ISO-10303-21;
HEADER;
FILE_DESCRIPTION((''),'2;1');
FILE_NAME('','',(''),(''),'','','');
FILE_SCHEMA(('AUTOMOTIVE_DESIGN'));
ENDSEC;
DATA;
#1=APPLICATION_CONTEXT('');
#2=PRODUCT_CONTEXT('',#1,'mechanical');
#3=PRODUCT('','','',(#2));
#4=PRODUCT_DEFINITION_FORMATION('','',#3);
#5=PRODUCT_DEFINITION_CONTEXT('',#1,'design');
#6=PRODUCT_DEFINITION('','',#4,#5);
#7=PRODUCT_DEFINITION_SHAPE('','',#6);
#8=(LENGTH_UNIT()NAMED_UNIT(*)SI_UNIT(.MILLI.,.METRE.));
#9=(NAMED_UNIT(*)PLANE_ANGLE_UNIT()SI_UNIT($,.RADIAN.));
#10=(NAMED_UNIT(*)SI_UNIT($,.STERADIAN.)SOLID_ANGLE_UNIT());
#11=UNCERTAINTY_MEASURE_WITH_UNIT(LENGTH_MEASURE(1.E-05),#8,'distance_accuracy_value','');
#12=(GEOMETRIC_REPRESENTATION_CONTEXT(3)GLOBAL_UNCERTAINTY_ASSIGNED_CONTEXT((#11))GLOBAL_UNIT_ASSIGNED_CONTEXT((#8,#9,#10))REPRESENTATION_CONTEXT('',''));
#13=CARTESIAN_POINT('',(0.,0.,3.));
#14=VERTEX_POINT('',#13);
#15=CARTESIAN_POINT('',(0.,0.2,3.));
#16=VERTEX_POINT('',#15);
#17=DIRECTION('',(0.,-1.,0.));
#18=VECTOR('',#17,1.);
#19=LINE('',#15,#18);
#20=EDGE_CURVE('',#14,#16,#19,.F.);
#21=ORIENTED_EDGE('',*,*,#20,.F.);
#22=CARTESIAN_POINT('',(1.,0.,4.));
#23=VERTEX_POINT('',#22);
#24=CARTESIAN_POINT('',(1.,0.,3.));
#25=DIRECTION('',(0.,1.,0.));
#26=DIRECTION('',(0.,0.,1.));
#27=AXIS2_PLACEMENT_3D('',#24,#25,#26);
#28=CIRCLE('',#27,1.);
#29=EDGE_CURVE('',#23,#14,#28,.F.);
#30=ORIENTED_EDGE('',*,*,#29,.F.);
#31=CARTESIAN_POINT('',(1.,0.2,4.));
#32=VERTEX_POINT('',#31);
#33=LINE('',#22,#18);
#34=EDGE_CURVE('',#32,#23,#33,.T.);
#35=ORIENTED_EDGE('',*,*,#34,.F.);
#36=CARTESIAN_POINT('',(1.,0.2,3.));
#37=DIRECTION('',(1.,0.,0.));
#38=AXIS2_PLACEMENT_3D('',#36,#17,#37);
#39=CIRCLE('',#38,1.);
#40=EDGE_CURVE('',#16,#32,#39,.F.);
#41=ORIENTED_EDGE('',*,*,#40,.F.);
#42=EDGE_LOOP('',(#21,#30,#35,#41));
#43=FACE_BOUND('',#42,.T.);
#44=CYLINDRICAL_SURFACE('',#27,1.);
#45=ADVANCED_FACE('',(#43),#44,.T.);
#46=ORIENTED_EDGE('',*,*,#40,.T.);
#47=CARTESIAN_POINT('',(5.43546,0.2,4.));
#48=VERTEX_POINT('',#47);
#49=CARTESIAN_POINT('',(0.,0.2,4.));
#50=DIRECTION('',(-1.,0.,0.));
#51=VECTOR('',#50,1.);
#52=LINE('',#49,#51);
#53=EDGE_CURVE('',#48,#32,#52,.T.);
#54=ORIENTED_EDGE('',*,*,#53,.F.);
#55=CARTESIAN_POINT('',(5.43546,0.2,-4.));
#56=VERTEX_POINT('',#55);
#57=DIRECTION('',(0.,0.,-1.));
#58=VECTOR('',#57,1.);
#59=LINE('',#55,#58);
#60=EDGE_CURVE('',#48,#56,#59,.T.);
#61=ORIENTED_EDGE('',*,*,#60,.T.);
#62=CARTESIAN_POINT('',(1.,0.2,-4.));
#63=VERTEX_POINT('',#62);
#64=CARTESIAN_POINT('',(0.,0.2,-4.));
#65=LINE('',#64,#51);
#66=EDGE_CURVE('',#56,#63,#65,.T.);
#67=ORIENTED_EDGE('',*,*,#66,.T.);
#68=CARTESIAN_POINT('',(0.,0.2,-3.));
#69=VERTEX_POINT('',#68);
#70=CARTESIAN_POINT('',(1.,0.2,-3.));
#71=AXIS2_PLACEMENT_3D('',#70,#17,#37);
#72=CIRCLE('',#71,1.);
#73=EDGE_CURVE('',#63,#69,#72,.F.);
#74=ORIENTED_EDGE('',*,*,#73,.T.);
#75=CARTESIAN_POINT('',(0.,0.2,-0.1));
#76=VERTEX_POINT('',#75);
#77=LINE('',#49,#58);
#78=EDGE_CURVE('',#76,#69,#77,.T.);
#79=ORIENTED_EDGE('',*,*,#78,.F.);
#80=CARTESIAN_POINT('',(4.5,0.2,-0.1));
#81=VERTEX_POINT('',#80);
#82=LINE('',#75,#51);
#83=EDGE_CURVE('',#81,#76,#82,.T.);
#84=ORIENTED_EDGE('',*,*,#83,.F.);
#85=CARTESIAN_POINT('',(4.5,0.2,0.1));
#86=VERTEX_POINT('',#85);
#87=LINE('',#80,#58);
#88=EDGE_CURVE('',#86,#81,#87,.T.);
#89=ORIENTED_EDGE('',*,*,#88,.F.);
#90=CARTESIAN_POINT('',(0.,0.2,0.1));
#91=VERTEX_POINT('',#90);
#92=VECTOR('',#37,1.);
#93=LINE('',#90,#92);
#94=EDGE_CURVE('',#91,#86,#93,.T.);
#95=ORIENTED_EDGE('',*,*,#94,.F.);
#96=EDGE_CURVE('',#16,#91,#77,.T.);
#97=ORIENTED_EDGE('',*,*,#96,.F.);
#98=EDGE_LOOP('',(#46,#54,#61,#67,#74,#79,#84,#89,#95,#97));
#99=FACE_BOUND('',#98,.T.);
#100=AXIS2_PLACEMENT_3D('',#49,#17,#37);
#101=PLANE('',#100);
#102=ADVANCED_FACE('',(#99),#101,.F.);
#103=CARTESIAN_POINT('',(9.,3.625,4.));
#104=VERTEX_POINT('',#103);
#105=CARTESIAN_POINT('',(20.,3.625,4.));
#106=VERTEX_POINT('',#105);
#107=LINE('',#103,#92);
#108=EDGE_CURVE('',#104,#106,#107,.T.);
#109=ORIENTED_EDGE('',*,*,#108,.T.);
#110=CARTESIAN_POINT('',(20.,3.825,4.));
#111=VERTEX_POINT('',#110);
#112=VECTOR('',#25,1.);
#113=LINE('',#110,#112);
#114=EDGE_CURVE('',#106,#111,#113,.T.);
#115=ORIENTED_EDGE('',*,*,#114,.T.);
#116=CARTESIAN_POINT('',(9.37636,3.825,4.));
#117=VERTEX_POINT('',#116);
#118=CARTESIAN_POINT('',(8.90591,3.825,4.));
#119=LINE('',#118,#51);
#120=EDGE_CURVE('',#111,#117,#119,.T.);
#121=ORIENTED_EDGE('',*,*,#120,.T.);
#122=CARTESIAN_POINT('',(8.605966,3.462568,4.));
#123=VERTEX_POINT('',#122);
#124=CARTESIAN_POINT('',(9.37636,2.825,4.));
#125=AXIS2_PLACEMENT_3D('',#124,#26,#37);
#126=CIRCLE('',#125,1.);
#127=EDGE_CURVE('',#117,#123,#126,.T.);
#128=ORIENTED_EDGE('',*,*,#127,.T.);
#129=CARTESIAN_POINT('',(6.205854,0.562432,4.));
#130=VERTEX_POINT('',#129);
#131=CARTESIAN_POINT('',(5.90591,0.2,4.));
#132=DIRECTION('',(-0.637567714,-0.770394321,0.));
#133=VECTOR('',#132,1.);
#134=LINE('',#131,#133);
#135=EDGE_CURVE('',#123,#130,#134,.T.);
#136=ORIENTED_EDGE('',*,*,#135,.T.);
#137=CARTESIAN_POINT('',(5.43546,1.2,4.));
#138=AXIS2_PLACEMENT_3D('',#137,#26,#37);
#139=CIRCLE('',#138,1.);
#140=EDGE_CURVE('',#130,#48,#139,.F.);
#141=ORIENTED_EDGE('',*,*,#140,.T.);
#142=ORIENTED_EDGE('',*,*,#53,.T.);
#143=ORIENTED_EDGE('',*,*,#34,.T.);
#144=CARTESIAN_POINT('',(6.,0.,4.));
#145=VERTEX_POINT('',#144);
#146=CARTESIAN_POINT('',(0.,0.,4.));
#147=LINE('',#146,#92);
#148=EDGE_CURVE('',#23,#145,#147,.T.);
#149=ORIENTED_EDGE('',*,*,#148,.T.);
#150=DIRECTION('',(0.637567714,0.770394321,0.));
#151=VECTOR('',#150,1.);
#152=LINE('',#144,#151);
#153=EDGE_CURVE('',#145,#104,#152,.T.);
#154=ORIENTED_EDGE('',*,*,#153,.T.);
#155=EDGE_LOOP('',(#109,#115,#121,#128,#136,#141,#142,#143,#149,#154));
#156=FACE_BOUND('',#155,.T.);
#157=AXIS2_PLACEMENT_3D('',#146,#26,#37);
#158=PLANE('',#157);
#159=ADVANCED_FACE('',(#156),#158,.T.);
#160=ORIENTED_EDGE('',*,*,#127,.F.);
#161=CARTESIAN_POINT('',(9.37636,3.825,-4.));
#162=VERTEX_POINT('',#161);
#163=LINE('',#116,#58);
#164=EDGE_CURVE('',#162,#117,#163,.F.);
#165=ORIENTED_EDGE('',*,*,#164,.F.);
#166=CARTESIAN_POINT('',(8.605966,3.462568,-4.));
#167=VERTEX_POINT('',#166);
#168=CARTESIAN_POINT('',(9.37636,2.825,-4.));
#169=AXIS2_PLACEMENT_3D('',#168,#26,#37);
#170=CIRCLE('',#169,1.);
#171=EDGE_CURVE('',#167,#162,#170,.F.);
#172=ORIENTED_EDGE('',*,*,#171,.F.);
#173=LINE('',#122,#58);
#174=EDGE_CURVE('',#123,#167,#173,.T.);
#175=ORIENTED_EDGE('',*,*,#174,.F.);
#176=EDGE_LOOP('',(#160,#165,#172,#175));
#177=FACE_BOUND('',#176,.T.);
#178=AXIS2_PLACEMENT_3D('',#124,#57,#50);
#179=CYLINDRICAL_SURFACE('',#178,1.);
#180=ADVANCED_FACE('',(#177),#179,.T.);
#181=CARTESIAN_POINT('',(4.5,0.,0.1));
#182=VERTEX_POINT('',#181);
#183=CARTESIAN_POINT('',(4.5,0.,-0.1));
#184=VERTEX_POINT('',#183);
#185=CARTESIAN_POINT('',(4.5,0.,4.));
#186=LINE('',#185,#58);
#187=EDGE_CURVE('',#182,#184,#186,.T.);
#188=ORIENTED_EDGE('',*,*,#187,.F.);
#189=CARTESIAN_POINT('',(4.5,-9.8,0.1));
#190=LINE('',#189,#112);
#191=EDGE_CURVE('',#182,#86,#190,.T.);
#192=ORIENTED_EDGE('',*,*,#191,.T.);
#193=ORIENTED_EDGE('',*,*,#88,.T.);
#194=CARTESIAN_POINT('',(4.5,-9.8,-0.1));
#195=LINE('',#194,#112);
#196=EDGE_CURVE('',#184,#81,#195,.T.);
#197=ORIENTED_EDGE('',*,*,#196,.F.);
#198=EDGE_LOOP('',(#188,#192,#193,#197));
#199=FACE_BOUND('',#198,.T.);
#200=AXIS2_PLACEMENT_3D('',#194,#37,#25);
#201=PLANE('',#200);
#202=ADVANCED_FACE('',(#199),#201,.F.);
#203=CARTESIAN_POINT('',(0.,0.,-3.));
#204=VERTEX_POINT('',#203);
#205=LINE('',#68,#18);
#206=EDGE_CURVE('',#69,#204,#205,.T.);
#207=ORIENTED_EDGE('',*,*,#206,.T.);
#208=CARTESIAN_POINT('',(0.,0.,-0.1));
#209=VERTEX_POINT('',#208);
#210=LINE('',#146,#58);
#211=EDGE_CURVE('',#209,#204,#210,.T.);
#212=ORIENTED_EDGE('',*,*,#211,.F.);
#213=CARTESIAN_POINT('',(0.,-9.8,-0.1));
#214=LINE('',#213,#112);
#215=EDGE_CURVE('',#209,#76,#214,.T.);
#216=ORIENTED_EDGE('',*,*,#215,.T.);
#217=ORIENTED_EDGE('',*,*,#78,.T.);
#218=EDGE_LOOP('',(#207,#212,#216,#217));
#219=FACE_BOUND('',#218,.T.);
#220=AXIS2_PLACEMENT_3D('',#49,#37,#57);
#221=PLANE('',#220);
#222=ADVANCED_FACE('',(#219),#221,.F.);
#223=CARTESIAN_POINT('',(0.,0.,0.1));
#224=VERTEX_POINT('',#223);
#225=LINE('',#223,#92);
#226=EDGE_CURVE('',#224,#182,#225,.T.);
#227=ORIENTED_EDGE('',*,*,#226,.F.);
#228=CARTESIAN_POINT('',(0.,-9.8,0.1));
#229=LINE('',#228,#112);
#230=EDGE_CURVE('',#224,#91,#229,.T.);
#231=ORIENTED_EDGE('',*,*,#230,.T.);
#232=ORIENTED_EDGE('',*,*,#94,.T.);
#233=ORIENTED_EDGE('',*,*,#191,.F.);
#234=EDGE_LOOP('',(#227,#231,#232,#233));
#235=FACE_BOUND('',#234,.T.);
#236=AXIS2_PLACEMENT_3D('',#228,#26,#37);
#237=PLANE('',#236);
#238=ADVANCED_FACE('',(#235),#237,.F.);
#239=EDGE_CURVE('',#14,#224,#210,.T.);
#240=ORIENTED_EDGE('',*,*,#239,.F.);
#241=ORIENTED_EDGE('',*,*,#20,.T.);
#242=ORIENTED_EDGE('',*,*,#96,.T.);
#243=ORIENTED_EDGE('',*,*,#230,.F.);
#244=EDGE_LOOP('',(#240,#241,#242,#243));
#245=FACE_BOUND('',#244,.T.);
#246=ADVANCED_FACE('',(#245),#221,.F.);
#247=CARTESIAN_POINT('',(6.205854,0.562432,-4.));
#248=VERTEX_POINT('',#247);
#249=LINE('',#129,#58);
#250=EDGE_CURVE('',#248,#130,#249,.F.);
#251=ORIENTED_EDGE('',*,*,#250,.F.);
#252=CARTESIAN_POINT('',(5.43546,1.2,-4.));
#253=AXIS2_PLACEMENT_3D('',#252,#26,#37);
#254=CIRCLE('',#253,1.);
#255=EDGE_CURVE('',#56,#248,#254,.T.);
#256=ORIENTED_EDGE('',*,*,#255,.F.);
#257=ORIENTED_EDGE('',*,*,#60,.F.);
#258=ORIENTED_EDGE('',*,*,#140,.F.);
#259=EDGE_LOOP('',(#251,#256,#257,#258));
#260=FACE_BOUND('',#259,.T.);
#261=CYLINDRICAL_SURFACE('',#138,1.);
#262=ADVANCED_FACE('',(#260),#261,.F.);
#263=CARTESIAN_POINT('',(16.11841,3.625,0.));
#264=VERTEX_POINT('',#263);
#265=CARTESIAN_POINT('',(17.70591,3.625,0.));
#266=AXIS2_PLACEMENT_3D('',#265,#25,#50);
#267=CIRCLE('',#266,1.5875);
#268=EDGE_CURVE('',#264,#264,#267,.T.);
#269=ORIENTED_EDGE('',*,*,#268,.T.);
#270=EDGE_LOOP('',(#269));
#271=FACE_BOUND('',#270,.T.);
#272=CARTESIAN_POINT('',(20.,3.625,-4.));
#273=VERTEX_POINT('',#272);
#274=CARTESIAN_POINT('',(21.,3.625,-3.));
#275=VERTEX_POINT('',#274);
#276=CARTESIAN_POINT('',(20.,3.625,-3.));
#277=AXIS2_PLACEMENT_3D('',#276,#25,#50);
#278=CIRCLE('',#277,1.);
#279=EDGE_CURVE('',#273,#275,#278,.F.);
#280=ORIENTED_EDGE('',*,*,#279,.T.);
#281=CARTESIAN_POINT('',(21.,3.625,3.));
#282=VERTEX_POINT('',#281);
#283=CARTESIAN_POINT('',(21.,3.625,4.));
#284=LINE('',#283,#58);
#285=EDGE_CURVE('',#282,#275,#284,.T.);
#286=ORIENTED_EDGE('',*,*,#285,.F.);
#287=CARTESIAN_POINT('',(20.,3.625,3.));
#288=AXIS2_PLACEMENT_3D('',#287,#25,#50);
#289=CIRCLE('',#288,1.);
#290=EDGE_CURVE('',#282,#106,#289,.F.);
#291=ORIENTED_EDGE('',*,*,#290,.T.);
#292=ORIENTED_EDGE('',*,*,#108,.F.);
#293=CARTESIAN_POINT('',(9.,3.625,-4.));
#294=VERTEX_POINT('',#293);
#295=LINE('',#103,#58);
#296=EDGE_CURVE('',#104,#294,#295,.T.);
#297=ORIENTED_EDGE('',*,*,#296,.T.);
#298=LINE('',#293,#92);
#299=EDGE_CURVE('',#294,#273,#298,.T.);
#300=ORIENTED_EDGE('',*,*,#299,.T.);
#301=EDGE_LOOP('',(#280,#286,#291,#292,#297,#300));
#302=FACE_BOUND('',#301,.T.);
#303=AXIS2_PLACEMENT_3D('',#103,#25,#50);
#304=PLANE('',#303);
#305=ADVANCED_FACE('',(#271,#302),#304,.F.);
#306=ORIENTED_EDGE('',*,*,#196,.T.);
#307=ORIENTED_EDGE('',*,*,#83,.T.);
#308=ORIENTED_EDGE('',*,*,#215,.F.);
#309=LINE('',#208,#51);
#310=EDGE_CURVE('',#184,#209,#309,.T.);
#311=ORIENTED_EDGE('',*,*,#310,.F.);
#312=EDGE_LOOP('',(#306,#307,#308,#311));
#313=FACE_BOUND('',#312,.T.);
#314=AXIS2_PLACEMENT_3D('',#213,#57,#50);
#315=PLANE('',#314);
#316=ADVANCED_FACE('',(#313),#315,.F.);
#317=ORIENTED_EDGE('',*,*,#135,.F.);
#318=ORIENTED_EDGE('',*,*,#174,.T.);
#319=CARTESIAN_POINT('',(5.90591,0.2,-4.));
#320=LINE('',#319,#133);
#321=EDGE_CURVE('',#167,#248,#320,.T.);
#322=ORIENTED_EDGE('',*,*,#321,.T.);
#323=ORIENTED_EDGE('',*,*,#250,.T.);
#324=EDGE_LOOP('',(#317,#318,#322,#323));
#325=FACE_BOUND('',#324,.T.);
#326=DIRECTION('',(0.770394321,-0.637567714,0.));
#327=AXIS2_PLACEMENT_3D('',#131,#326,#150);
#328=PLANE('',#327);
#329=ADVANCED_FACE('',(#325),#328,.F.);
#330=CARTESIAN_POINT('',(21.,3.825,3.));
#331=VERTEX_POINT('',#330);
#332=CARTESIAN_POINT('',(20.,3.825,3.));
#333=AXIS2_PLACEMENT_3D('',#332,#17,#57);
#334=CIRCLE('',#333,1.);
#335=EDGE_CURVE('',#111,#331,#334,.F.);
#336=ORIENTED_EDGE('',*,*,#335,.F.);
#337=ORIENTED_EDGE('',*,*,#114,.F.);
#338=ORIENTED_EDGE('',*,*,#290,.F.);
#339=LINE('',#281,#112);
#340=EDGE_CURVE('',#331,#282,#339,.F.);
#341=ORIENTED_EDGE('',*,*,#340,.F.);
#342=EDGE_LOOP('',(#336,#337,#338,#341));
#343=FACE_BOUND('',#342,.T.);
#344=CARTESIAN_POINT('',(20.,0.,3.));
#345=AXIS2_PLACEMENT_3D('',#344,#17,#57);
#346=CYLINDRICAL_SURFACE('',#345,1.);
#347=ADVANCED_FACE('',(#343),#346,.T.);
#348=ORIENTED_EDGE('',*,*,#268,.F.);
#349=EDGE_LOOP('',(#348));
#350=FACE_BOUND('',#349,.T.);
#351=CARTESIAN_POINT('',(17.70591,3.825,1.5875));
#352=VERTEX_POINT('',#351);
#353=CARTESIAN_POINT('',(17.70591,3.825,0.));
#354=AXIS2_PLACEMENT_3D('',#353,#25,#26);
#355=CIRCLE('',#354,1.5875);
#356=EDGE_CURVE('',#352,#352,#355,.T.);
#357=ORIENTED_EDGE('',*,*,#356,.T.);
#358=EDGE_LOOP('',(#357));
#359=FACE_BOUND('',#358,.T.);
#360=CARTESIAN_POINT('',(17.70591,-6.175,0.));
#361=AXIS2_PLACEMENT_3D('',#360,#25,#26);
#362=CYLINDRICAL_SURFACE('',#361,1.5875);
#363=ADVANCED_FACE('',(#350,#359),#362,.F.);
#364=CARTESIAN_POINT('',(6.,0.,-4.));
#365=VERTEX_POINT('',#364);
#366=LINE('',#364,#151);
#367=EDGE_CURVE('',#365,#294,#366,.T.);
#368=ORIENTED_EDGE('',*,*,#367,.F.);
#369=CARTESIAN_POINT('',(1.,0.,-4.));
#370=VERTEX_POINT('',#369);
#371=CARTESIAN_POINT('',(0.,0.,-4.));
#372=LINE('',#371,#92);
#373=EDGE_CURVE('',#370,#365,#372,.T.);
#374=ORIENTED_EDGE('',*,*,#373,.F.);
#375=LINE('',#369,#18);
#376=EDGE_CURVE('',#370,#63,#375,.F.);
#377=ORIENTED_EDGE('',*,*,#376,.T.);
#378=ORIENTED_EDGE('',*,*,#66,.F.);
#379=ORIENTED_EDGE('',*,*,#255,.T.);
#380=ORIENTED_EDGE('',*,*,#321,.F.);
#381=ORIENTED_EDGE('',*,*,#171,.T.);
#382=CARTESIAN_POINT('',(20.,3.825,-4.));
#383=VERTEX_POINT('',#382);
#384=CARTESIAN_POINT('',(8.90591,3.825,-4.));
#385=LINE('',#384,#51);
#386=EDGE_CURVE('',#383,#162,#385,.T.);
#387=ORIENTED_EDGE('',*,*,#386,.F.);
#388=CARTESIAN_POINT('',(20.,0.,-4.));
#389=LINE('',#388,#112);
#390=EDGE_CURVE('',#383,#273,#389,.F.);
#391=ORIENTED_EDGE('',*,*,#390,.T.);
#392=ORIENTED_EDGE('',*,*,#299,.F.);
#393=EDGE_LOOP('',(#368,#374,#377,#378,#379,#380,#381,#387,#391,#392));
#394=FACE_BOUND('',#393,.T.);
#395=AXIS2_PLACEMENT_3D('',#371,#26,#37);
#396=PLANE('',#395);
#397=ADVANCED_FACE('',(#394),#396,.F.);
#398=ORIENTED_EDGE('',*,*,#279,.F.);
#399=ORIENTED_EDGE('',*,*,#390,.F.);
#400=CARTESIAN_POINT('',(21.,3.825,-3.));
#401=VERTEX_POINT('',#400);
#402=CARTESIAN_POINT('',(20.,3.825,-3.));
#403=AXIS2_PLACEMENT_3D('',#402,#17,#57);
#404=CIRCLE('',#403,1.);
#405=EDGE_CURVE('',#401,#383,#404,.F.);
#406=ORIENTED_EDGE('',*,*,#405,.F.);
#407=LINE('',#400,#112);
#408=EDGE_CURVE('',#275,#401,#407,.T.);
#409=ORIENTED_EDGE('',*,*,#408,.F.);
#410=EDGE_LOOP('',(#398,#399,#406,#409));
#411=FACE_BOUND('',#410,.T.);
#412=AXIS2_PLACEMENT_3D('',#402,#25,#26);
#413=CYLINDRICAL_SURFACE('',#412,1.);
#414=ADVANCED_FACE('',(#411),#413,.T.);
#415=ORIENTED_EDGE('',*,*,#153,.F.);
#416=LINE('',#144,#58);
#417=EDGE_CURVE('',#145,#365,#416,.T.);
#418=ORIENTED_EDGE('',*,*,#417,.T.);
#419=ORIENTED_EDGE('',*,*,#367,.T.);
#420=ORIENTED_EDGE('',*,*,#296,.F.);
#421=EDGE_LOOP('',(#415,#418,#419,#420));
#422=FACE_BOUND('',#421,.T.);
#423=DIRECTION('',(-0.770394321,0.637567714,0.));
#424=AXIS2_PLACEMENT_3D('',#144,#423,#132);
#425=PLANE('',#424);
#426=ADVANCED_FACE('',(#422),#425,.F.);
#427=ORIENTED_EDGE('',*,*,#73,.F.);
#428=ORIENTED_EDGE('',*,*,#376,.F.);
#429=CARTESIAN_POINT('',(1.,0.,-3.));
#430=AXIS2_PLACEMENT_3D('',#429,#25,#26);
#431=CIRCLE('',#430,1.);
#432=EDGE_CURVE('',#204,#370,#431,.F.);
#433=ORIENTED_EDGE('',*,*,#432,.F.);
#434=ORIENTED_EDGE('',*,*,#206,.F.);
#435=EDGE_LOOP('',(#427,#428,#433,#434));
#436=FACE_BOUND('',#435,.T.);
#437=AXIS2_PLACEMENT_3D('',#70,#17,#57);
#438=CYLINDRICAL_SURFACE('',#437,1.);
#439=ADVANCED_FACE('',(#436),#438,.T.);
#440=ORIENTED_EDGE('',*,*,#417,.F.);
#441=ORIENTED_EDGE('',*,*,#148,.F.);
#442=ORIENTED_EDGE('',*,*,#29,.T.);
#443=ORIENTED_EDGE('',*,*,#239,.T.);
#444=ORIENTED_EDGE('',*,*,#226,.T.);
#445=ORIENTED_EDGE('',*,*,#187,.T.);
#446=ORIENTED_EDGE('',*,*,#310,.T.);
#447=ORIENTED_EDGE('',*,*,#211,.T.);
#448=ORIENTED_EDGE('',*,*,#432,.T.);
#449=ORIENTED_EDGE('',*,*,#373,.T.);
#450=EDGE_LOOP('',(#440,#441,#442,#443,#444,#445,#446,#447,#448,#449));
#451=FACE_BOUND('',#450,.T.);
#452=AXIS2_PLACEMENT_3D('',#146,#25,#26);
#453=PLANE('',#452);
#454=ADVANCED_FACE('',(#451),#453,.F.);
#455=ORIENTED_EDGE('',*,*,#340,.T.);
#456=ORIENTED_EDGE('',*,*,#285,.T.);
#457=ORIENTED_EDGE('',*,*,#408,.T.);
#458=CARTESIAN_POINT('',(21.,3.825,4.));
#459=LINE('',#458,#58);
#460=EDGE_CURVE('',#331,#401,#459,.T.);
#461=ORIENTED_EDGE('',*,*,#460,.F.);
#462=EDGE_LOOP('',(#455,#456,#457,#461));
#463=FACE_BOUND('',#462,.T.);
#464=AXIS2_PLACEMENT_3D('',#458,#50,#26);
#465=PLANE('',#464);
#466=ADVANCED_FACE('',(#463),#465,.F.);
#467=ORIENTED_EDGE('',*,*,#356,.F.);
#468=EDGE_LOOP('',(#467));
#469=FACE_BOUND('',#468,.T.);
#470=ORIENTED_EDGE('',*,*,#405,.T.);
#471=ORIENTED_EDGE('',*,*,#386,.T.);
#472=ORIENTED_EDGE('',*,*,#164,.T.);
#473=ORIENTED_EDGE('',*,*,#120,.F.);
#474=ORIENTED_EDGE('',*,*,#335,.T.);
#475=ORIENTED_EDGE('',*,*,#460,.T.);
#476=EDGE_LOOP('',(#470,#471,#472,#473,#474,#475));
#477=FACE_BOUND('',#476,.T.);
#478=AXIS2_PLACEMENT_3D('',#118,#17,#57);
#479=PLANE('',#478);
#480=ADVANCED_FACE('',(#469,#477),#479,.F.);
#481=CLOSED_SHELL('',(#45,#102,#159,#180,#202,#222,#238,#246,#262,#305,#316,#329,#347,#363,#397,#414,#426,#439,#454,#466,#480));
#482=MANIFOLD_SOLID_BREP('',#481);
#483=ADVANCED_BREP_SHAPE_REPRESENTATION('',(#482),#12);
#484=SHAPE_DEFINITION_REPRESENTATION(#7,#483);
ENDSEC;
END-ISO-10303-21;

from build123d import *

# Parameters (mm, degrees)
BOSS_EXTRUDE1_DEPTH = 4
SKETCH2_R           = 1.5875
CUT_EXTRUDE1_DEPTH  = 10
FILLET1_R           = 1
SKETCH3_W           = 4.5
SKETCH3_H           = 0.2
CUT_EXTRUDE2_DEPTH  = 10
FILLET2_R           = 1


with BuildPart() as part:
    # Sketch1 → Boss-Extrude1 (new body, symmetric)
    with BuildSketch(Plane.XY):
        Polygon((0, 0), (6, 0), (9, 3.625), (21, 3.625), (21, 3.825), (8.905909928, 3.825), (5.905909928, 0.2), (0, 0.2), align=None)
    extrude(amount=BOSS_EXTRUDE1_DEPTH, both=True)

    # Sketch2 → Cut-Extrude1 (cut)
    with BuildSketch(Plane(origin=(0, 3.825, 0), x_dir=(1, 0, 0), z_dir=(0, 1, 0))):
        with Locations((17.705909928, 0)):
            Circle(SKETCH2_R)
    extrude(amount=-CUT_EXTRUDE1_DEPTH, mode=Mode.SUBTRACT)

    # Fillet1
    fillet1_edges = [part.edges().sort_by_distance(p)[0] for p in [
        (0, 0.1, -4),
        (21, 3.725, 4),
        (0, 0.1, 4),
        (21, 3.725, -4),
    ]]
    fillet(fillet1_edges, radius=FILLET1_R)

    # Sketch3 → Cut-Extrude2 (cut)
    with BuildSketch(Plane(origin=(0, 0.2, 0), x_dir=(1, 0, 0), z_dir=(0, 1, 0))):
        with Locations((2.25, 0)):
            Rectangle(SKETCH3_W, SKETCH3_H)
    extrude(amount=-CUT_EXTRUDE2_DEPTH, mode=Mode.SUBTRACT)

    # Fillet2
    fillet2_edges = [part.edges().sort_by_distance(p)[0] for p in [
        (5.905909928, 0.2, 0),
        (8.905909928, 3.825, 0),
    ]]
    fillet(fillet2_edges, radius=FILLET2_R)


solid = part.part
